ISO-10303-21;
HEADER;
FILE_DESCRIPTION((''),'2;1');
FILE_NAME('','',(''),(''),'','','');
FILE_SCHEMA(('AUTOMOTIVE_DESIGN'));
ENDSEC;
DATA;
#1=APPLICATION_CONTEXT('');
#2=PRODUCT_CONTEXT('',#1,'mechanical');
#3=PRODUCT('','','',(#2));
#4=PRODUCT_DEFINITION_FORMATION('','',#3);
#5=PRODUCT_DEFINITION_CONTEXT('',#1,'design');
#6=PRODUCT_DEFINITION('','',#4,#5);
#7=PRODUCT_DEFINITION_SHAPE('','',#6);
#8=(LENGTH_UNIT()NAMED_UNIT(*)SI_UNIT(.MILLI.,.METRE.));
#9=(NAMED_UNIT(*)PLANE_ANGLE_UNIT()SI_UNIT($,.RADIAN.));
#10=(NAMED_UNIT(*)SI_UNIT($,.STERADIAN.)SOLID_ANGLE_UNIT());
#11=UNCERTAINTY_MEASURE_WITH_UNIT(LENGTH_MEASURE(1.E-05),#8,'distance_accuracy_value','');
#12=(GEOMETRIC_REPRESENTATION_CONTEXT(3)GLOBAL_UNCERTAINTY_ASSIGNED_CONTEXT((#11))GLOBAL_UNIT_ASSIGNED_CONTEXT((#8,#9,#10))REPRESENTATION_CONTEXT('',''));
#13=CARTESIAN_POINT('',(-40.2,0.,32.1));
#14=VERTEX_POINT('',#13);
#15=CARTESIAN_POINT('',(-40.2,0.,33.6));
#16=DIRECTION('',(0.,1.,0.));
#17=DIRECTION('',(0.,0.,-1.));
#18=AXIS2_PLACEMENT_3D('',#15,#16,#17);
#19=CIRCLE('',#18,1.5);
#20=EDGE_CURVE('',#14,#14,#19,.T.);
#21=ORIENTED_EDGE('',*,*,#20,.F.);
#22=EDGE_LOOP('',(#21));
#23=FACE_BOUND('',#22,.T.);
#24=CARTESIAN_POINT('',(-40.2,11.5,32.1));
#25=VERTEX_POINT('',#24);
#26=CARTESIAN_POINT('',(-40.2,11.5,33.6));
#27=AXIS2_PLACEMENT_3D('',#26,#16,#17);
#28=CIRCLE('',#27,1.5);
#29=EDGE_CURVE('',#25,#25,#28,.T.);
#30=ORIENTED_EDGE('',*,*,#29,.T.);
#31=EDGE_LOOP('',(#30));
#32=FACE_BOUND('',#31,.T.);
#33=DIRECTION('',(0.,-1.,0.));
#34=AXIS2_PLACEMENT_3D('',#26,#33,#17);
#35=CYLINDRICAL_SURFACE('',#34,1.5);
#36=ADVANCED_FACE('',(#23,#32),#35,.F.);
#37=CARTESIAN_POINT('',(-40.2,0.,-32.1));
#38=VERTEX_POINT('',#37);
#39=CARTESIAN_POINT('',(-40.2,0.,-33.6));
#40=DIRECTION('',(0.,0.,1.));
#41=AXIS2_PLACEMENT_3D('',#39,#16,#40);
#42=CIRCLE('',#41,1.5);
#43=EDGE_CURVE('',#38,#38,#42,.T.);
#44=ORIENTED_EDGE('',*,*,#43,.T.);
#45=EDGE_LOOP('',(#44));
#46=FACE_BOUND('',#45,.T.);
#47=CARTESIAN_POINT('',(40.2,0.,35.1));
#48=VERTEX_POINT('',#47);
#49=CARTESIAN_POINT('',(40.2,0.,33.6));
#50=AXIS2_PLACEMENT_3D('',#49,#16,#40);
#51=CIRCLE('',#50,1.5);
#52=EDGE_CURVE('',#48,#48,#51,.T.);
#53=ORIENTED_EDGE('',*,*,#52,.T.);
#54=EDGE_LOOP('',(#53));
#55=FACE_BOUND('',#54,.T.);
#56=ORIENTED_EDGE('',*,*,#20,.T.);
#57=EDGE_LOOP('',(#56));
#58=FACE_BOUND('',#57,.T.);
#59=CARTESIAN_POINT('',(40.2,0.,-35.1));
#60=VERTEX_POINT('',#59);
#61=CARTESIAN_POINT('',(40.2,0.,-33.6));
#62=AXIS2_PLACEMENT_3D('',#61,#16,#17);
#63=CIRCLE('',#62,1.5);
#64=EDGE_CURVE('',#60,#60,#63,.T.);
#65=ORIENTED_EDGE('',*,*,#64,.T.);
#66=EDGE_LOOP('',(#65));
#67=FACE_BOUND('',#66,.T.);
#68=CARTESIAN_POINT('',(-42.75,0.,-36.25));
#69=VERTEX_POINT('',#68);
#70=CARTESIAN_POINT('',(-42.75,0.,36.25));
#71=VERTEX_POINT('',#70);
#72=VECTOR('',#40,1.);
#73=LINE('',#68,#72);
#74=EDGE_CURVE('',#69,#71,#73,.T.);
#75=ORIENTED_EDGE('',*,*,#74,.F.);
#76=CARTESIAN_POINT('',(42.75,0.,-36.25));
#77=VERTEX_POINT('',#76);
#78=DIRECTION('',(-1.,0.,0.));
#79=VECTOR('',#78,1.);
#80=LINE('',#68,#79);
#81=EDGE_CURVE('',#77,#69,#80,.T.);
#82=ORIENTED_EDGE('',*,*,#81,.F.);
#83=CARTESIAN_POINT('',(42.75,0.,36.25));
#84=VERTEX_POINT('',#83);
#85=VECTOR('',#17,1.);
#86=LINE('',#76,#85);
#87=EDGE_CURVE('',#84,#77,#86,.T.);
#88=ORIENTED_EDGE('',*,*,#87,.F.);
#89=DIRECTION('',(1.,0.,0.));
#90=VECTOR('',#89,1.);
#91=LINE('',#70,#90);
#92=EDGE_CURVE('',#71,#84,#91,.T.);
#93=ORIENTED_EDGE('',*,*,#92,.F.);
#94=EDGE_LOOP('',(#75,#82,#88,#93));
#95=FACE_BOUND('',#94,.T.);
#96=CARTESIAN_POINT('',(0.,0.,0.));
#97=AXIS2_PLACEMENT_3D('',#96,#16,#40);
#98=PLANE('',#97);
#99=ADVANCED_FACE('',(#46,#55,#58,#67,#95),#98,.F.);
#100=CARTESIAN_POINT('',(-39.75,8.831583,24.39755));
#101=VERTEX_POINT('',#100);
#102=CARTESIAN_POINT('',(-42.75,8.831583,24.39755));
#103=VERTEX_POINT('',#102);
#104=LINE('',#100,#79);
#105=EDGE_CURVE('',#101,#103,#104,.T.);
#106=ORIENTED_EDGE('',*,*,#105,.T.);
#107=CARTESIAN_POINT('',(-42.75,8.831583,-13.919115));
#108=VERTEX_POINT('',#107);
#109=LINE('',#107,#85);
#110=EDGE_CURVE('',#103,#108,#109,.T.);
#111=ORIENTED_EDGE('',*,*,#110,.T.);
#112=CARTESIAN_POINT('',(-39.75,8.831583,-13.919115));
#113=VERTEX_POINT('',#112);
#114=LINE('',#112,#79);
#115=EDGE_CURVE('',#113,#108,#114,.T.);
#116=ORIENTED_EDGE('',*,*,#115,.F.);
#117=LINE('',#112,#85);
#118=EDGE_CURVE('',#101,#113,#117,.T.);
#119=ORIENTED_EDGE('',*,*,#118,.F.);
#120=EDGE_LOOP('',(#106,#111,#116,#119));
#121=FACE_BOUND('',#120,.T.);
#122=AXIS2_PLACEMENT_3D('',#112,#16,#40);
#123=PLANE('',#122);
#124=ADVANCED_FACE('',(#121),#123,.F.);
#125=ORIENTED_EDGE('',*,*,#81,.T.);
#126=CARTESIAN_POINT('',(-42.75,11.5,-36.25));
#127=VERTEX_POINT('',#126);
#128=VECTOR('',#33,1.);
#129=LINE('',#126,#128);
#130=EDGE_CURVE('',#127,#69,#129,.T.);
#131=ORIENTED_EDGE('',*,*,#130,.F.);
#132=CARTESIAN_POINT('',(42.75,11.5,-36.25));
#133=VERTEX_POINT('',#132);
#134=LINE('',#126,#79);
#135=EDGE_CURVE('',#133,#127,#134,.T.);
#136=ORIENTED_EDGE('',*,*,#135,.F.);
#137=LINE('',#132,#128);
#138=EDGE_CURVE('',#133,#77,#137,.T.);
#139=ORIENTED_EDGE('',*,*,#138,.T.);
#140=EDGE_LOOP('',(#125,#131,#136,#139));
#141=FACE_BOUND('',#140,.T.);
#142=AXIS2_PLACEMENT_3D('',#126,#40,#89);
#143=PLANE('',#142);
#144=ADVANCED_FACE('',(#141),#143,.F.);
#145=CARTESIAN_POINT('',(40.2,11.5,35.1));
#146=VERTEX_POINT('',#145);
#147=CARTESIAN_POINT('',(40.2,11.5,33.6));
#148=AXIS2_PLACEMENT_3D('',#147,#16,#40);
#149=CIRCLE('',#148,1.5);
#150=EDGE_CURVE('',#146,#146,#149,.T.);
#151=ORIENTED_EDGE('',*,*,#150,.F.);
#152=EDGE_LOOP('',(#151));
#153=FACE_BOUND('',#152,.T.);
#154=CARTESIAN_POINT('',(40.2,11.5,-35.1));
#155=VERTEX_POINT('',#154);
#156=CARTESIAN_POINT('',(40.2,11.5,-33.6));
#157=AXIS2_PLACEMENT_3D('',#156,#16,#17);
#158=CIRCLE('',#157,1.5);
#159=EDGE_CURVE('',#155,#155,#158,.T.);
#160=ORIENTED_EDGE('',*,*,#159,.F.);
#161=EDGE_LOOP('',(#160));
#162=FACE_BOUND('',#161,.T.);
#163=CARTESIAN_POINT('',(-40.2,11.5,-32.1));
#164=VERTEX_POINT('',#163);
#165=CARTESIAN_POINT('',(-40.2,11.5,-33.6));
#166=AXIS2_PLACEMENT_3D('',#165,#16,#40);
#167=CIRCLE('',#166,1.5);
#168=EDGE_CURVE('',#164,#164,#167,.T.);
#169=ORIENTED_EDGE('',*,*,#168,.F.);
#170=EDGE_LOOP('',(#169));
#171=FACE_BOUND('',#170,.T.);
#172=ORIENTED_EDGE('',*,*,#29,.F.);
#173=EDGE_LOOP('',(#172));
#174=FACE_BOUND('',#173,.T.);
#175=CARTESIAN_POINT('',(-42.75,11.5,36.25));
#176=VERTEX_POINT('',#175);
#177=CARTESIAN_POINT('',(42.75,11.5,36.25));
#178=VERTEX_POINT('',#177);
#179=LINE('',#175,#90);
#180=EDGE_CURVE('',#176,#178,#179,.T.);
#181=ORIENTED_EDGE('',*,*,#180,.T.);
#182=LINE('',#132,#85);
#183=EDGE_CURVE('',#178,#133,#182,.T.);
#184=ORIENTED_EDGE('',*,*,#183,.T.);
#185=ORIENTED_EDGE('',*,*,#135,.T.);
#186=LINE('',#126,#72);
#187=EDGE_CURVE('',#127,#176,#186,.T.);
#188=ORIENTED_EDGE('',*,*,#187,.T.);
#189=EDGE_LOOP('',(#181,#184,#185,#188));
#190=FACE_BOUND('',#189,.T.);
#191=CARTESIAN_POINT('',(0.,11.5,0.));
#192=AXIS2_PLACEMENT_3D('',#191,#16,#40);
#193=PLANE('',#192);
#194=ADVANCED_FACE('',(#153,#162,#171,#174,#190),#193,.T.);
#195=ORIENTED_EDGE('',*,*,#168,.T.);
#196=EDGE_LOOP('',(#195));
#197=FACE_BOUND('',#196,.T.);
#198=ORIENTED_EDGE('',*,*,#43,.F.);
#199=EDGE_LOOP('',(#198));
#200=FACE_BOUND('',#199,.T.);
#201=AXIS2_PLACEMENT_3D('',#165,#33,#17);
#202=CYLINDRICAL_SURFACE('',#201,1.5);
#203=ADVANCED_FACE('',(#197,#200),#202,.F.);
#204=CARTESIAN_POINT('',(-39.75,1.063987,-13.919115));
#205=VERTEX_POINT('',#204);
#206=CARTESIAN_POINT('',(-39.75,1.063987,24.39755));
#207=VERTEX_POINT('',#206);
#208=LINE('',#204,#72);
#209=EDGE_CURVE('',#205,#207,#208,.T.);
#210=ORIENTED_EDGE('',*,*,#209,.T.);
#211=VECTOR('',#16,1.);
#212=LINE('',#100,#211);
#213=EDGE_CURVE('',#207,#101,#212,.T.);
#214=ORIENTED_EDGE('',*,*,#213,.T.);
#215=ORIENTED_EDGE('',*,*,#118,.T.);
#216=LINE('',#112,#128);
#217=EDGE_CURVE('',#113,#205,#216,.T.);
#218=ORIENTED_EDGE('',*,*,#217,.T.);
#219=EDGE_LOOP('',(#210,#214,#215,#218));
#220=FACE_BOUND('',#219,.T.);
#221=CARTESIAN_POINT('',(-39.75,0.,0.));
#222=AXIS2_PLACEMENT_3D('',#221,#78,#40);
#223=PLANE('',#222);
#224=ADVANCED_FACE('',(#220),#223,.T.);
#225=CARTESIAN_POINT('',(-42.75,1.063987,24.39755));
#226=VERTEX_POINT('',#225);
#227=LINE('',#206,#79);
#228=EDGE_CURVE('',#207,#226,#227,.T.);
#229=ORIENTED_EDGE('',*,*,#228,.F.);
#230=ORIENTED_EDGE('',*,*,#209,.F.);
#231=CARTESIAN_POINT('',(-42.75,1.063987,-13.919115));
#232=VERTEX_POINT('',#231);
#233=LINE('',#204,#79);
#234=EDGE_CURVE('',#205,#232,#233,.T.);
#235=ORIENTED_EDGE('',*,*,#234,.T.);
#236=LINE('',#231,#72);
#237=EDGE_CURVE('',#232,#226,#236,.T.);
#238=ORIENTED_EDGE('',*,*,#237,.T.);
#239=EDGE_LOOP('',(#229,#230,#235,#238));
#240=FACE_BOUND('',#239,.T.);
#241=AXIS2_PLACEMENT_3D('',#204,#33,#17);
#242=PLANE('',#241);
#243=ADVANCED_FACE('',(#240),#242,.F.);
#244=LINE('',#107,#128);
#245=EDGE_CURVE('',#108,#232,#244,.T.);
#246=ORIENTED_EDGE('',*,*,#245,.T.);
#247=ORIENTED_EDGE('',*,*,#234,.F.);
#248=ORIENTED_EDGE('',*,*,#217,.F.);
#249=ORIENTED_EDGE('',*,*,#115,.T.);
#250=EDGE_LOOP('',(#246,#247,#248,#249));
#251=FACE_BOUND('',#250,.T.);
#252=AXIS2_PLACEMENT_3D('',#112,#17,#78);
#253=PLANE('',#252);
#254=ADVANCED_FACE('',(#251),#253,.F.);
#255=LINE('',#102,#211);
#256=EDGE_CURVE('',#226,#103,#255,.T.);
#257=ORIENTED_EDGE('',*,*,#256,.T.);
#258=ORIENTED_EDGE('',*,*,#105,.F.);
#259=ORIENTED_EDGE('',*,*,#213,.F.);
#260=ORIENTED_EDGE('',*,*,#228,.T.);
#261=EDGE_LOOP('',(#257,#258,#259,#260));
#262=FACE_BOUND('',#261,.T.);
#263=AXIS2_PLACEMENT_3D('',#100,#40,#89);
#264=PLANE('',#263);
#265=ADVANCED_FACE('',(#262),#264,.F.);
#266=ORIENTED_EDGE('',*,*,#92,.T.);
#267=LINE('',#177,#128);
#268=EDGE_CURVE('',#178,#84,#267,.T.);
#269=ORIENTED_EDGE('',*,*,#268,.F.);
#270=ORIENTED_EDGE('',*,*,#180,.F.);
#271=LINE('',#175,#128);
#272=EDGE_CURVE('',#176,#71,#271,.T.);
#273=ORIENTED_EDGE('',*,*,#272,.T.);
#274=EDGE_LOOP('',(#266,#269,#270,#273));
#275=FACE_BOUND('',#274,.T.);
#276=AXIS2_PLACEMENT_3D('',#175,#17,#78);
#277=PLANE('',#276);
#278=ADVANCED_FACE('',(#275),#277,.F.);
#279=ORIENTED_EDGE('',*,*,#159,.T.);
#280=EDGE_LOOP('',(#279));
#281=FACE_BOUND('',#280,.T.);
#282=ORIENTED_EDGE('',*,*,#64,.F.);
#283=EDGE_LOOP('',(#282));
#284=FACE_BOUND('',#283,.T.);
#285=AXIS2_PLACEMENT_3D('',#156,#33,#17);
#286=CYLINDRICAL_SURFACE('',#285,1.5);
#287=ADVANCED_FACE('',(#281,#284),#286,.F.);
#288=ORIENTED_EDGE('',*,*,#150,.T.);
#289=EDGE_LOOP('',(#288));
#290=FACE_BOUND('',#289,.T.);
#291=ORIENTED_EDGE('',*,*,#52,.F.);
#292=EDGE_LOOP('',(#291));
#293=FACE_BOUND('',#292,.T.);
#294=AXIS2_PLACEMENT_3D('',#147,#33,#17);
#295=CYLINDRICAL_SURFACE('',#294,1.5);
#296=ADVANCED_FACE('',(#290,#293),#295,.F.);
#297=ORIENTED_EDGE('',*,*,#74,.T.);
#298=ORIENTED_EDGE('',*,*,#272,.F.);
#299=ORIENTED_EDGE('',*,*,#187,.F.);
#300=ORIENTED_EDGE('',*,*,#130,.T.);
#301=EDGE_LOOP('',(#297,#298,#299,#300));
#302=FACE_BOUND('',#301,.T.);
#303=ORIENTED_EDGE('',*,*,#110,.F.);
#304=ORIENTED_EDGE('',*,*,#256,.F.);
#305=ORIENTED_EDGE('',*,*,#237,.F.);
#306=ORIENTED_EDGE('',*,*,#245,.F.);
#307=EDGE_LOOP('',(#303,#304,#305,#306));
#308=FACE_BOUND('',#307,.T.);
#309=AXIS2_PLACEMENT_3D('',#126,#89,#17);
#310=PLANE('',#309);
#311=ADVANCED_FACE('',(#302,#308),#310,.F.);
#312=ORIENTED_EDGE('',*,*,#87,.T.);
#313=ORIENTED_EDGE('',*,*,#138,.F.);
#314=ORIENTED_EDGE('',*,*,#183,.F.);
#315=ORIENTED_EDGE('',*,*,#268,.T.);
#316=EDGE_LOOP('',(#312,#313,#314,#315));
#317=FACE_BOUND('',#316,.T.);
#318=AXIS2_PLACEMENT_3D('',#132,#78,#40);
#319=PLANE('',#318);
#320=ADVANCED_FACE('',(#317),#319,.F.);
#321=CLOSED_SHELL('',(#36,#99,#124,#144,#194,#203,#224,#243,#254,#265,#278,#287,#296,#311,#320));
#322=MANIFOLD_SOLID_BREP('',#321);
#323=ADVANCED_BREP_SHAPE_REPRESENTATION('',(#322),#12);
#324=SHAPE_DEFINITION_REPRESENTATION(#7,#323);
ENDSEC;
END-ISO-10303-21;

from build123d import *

# Parameters (mm, degrees)
SKETCH_1_W          = 85.5
SKETCH_1_H          = 72.5
SKETCH_1_R          = 1.5
EXTRUDE_1_DEPTH     = 11.5
SKETCH_2_W          = 38.316664863
SKETCH_2_H          = 7.767596006
CUT_EXTRUDE_1_DEPTH = 3


with BuildPart() as part:
    # 草图1 → 凸台-拉伸1 (new body)
    with BuildSketch(Plane(origin=(0, 0, 0), x_dir=(1, 0, 0), z_dir=(0, 1, 0))):
        Rectangle(SKETCH_1_W, SKETCH_1_H)
        with Locations(Location((-40.2, 33.6, 0), (0, 0, 270))):
            Circle(SKETCH_1_R, mode=Mode.SUBTRACT)
        with Locations(Location((40.2, 33.6, 0), (0, 0, 90))):
            Circle(SKETCH_1_R, mode=Mode.SUBTRACT)
        with Locations(Location((40.2, -33.6, 0), (0, 0, 270))):
            Circle(SKETCH_1_R, mode=Mode.SUBTRACT)
        with Locations(Location((-40.2, -33.6, 0), (0, 0, 90))):
            Circle(SKETCH_1_R, mode=Mode.SUBTRACT)
    extrude(amount=EXTRUDE_1_DEPTH)

    # 草图2 → 切除-拉伸1 (cut)
    with BuildSketch(Plane.ZY.offset(42.75)):
        with Locations((5.239217441, 4.947785371)):
            Rectangle(SKETCH_2_W, SKETCH_2_H)
    extrude(amount=-CUT_EXTRUDE_1_DEPTH, mode=Mode.SUBTRACT)


solid = part.part
